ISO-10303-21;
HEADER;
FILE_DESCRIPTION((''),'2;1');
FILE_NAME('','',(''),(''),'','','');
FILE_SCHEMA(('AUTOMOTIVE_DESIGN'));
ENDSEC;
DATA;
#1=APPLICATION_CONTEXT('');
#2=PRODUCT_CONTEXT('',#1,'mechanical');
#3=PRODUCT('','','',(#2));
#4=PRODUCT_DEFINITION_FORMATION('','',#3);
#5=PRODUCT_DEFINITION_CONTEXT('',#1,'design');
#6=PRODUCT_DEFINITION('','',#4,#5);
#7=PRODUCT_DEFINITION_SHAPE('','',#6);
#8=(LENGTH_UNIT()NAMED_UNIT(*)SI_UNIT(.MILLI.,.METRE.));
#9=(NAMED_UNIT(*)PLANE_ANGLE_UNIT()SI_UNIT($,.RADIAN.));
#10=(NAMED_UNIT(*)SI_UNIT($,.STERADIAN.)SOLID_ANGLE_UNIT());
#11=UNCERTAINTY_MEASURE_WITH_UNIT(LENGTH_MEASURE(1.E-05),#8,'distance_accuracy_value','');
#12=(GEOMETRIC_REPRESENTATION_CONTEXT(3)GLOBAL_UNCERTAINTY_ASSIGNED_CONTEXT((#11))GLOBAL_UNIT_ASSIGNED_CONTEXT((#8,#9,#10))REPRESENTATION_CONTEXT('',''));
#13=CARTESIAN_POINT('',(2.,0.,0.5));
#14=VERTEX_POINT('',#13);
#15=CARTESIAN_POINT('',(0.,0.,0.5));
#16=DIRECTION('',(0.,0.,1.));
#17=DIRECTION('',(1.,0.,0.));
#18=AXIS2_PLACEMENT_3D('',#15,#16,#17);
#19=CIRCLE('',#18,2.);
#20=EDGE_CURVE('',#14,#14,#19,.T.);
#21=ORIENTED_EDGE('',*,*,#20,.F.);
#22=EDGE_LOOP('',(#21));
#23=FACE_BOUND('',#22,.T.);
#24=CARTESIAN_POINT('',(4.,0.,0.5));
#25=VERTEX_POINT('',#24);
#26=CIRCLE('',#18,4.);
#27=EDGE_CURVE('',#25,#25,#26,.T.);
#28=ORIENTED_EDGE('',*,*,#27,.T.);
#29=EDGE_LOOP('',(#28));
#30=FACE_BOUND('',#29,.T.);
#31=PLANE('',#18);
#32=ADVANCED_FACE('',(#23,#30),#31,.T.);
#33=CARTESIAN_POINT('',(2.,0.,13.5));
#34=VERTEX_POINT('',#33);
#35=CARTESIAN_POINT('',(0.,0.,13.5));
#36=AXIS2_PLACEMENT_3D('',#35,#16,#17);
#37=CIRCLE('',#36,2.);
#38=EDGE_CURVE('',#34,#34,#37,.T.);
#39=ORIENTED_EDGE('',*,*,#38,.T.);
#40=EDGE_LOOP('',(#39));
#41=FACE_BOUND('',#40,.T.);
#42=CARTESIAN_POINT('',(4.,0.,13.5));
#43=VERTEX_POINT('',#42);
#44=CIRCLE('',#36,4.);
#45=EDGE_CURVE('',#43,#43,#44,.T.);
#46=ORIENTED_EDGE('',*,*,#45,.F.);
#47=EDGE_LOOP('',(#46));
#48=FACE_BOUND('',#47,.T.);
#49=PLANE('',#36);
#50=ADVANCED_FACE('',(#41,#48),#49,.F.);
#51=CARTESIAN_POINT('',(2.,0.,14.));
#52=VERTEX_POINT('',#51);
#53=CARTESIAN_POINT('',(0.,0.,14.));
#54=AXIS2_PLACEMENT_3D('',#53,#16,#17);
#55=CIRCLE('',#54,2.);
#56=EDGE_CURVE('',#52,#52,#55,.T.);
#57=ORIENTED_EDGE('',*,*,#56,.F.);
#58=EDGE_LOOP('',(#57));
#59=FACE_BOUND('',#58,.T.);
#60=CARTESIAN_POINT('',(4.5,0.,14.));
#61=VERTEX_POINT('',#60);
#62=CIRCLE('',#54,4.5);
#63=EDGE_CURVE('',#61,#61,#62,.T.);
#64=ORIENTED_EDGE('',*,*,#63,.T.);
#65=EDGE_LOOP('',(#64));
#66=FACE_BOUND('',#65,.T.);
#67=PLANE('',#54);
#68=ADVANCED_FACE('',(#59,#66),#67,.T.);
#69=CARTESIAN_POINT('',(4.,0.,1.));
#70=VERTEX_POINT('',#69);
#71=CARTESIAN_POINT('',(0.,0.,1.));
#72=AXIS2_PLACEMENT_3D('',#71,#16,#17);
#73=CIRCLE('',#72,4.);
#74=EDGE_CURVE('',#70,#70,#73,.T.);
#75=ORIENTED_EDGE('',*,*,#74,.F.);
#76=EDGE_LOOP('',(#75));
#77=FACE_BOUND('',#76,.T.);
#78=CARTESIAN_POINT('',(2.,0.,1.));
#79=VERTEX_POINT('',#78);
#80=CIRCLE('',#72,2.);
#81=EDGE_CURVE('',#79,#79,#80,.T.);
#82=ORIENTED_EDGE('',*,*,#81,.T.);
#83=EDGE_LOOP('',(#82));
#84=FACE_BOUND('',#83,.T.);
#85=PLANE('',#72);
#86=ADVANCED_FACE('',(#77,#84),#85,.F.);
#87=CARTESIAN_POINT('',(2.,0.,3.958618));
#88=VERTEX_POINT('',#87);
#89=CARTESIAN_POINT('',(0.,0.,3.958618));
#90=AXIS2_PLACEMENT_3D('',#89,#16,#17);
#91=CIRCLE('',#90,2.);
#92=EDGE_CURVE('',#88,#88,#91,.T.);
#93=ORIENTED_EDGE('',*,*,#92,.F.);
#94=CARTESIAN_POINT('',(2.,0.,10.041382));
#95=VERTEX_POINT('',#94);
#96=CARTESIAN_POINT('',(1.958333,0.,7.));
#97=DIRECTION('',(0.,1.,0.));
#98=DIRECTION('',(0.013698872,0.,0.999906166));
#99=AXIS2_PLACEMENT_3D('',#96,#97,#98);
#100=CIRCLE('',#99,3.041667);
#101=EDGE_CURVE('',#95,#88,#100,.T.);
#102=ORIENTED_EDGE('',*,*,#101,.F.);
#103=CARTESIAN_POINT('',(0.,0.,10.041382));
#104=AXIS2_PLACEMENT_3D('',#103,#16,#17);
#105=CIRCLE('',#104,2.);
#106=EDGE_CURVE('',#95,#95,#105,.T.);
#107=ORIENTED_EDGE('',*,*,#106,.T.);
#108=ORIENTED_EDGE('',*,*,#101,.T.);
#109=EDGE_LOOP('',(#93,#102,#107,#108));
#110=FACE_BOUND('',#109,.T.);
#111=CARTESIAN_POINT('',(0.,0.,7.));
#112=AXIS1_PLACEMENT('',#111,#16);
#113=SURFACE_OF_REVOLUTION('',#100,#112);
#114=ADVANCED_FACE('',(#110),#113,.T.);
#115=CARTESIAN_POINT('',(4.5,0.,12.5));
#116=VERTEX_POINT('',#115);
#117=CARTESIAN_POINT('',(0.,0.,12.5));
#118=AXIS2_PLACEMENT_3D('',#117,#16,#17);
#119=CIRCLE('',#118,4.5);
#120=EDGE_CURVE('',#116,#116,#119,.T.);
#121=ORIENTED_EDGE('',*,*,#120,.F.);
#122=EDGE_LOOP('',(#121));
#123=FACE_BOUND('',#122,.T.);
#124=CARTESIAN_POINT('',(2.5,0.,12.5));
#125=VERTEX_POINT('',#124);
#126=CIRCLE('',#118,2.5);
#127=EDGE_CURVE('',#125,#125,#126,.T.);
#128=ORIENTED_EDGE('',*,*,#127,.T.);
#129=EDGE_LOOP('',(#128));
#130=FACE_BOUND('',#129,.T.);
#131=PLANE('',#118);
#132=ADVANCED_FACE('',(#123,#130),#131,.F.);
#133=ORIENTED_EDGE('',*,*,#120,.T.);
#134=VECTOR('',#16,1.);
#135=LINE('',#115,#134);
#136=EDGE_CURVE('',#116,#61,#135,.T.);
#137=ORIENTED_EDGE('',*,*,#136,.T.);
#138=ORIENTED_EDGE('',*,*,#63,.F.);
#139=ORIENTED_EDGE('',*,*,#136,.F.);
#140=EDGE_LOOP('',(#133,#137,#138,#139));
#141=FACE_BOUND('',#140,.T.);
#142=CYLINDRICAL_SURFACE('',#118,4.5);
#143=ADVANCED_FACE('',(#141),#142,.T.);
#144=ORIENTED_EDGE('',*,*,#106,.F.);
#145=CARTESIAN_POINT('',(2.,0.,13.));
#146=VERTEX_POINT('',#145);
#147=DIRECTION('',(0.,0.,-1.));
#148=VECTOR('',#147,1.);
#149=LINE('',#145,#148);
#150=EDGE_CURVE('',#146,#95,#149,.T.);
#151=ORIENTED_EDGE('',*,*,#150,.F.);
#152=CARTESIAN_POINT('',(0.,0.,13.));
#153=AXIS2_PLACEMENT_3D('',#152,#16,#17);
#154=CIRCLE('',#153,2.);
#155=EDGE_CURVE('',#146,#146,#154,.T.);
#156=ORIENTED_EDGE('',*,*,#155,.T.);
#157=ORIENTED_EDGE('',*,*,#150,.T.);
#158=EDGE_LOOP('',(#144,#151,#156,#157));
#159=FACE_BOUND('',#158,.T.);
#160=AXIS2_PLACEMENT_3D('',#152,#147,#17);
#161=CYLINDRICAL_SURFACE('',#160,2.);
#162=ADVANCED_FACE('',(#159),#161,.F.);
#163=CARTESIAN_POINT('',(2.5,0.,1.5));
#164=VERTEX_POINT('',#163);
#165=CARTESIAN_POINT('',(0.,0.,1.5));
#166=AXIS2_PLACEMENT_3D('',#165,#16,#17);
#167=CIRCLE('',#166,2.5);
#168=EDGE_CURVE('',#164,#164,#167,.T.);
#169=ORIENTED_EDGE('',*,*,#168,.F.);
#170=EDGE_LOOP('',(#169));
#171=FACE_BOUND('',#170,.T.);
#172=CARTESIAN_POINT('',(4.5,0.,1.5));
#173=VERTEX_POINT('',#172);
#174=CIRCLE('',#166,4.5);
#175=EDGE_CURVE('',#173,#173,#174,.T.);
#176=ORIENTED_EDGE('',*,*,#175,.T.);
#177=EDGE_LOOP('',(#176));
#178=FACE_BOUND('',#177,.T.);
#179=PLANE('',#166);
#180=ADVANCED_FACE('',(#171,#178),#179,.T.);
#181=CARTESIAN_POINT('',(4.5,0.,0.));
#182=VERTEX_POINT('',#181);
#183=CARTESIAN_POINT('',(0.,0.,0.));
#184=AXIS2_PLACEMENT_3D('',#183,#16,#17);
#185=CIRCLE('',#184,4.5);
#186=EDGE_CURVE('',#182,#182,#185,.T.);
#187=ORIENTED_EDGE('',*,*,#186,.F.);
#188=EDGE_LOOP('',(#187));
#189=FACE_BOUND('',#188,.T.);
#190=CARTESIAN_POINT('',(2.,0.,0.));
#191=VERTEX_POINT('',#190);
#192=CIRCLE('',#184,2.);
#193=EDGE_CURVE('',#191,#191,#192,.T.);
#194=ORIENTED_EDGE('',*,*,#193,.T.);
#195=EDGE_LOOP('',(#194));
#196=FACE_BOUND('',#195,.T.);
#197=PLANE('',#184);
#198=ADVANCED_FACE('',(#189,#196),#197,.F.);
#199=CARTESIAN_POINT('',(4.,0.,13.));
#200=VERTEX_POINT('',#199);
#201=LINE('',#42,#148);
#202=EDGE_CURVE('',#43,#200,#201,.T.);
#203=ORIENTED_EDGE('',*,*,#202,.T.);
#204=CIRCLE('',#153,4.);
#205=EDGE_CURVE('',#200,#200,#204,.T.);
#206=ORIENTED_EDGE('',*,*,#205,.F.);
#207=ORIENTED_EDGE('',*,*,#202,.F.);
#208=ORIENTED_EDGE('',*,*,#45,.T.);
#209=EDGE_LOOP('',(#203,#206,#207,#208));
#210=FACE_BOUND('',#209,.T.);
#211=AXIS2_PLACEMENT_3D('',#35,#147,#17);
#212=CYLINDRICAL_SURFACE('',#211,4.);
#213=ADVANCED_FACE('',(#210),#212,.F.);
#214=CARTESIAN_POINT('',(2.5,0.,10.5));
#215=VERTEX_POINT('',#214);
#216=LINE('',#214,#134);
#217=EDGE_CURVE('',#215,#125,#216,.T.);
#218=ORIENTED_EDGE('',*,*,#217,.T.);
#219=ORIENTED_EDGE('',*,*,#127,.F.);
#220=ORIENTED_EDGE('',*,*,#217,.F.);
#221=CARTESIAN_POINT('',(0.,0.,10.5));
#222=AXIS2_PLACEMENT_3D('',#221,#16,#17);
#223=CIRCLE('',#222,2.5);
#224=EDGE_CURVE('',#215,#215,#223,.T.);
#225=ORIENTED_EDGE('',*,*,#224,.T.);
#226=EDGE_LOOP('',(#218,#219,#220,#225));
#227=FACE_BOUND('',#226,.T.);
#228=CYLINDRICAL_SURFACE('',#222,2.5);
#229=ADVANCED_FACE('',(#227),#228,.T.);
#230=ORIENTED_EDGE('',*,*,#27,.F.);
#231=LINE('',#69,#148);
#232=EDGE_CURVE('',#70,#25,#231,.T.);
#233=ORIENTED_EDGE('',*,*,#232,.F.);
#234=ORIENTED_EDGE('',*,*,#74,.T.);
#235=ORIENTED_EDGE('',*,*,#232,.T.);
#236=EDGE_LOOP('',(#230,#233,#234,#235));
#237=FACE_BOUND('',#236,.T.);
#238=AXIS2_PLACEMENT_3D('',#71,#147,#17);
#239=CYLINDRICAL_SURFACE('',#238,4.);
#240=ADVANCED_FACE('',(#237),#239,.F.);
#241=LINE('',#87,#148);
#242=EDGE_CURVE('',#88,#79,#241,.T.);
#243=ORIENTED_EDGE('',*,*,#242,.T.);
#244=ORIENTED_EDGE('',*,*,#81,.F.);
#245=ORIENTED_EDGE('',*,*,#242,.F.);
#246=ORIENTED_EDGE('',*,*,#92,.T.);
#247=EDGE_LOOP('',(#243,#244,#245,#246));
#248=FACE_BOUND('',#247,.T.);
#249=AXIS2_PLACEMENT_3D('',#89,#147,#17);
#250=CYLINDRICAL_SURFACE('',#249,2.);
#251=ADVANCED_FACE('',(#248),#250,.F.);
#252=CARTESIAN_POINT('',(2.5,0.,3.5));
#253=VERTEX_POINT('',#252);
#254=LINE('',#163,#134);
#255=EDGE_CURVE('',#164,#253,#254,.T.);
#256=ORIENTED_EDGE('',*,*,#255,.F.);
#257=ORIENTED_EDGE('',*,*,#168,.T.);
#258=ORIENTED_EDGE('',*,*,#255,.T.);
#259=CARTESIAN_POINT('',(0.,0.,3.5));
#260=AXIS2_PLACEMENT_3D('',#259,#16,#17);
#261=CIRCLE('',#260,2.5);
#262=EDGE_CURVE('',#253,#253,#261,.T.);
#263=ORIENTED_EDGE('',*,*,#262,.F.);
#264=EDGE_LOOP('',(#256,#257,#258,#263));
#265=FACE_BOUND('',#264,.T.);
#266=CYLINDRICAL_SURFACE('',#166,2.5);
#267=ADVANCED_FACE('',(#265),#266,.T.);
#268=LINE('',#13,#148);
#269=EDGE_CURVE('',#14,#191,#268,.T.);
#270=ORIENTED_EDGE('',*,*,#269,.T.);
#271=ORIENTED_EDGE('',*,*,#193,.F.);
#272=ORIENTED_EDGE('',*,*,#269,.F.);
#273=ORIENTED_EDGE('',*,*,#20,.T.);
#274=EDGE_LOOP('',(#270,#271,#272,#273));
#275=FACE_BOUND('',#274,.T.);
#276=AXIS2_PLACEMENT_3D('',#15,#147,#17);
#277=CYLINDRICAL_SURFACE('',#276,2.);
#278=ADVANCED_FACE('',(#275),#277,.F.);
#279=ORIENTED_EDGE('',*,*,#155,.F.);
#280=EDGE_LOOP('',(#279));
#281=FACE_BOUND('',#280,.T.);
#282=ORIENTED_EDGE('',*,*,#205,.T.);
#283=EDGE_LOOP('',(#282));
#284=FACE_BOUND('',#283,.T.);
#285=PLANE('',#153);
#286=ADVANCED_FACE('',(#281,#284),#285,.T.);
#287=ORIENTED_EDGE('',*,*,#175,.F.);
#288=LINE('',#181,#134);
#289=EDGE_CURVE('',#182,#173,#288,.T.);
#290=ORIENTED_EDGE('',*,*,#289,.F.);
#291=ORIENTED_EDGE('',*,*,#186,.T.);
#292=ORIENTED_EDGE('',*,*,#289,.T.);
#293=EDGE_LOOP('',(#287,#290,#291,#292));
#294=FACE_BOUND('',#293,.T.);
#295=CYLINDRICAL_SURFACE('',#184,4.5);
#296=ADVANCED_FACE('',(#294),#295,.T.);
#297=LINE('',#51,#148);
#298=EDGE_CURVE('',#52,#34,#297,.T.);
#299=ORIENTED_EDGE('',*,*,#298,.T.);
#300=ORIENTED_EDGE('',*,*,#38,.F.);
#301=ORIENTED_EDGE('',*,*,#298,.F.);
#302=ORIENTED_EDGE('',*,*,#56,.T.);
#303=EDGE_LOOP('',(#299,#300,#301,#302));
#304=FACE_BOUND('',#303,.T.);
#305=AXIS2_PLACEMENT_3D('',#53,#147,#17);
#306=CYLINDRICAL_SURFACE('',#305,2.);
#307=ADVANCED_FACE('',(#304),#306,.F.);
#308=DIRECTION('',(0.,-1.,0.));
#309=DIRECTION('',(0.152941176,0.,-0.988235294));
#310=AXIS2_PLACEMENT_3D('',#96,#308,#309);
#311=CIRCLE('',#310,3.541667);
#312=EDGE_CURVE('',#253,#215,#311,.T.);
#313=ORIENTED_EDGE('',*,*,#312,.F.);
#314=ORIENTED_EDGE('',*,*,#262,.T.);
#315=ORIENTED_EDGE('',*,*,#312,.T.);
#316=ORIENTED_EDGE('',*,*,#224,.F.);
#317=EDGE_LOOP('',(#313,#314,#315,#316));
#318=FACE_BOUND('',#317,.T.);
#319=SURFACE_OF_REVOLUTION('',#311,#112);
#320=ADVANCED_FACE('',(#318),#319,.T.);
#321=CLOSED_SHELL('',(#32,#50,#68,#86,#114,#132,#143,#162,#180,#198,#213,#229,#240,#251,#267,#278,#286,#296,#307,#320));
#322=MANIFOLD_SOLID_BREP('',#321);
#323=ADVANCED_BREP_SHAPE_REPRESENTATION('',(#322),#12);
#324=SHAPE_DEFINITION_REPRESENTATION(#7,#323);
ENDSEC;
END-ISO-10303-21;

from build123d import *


with BuildPart() as f1:
    # F0 (on Front) → F1 (revolve)
    with BuildSketch(Plane.XZ):
        with BuildLine():
            Line((2, 0.5), (2, 0))
            Line((2, 0), (4.5, 0))
            Line((4.5, 0), (4.5, 1.5))
            Line((4.5, 1.5), (2.5, 1.5))
            Line((2.5, 1.5), (2.5, 3.5))
            ThreePointArc((2.5, 3.5), (5.5, 7), (2.5, 10.5))
            Line((2.5, 10.5), (2.5, 12.5))
            Line((2.5, 12.5), (4.5, 12.5))
            Line((4.5, 12.5), (4.5, 14))
            Line((4.5, 14), (2, 14))
            Line((2, 14), (2, 13.5))
            Line((2, 13.5), (4, 13.5))
            Line((4, 13.5), (4, 13))
            Line((4, 13), (2, 13))
            Line((2, 13), (2, 10.041382))
            ThreePointArc((2, 10.041382), (5, 7), (2, 3.958618))
            Line((2, 3.958618), (2, 1))
            Line((2, 1), (4, 1))
            Line((4, 1), (4, 0.5))
            Line((4, 0.5), (2, 0.5))
        make_face()
    revolve(axis=Axis((0, 0, 7), (0, 0, 1)))


solid = f1.part
